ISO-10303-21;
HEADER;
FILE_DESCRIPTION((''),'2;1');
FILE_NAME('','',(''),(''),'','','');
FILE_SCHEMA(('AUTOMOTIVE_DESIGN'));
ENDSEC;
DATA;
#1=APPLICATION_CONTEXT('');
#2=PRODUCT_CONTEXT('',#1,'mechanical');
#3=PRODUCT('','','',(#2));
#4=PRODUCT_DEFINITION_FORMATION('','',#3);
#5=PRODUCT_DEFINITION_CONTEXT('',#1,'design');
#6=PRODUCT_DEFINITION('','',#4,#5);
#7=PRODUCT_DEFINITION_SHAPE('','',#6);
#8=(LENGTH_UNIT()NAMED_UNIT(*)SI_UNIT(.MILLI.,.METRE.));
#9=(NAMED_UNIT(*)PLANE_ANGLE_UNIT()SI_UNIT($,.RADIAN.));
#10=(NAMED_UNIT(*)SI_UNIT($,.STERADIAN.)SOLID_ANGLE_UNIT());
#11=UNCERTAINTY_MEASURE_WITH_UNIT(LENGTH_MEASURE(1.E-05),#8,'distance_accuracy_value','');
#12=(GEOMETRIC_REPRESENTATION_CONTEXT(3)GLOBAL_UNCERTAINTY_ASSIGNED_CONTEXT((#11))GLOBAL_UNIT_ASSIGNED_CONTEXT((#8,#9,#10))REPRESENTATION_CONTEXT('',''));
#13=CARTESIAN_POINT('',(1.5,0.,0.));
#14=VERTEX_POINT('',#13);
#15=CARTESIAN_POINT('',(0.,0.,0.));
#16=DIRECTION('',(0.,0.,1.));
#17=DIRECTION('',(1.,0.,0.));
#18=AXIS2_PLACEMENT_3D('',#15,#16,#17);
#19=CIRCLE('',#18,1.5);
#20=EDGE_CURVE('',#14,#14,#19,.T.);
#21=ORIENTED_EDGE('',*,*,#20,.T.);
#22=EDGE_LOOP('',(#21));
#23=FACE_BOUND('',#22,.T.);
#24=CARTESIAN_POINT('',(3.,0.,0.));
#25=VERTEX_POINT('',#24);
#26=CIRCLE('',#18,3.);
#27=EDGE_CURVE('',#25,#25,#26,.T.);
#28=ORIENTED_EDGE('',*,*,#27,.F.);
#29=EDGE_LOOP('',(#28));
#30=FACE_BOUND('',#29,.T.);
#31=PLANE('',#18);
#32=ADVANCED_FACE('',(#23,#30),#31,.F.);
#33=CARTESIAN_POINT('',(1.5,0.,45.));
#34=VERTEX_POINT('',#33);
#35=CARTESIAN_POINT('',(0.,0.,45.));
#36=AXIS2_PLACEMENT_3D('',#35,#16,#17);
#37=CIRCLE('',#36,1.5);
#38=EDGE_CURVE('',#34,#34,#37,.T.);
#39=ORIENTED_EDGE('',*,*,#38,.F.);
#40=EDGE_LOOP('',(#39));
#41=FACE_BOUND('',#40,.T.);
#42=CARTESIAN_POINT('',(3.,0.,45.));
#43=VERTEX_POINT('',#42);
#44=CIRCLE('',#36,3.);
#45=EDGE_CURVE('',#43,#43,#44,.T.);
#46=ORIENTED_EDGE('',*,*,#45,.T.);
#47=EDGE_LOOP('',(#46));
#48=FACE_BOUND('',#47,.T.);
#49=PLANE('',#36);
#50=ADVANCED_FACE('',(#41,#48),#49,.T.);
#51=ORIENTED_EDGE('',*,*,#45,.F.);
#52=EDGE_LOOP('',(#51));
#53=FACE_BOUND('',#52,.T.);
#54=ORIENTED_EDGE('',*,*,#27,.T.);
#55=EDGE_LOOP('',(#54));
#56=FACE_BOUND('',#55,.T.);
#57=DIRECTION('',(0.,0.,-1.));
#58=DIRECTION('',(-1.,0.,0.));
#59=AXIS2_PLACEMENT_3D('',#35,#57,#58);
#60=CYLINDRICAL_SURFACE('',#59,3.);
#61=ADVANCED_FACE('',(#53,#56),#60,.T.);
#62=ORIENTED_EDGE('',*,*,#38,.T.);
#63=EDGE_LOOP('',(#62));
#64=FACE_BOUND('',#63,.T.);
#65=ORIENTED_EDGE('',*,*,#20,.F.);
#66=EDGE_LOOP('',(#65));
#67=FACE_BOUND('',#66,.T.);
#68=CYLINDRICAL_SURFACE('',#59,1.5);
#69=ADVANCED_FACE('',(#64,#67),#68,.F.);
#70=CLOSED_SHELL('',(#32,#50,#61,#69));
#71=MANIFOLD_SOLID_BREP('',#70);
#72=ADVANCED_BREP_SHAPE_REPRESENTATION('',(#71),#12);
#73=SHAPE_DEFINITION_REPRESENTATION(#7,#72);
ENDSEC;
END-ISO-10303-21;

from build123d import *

# Parameters (mm, degrees)
ESQUISSE1_R        = 3
ESQUISSE1_R_2      = 1.5
BOSS_EXTRU_1_DEPTH = 45


with BuildPart() as part:
    # Esquisse1 → Boss.-Extru.1 (new body)
    with BuildSketch(Plane.XY):
        Circle(ESQUISSE1_R)
        Circle(ESQUISSE1_R_2, mode=Mode.SUBTRACT)
    extrude(amount=BOSS_EXTRU_1_DEPTH)


solid = part.part
